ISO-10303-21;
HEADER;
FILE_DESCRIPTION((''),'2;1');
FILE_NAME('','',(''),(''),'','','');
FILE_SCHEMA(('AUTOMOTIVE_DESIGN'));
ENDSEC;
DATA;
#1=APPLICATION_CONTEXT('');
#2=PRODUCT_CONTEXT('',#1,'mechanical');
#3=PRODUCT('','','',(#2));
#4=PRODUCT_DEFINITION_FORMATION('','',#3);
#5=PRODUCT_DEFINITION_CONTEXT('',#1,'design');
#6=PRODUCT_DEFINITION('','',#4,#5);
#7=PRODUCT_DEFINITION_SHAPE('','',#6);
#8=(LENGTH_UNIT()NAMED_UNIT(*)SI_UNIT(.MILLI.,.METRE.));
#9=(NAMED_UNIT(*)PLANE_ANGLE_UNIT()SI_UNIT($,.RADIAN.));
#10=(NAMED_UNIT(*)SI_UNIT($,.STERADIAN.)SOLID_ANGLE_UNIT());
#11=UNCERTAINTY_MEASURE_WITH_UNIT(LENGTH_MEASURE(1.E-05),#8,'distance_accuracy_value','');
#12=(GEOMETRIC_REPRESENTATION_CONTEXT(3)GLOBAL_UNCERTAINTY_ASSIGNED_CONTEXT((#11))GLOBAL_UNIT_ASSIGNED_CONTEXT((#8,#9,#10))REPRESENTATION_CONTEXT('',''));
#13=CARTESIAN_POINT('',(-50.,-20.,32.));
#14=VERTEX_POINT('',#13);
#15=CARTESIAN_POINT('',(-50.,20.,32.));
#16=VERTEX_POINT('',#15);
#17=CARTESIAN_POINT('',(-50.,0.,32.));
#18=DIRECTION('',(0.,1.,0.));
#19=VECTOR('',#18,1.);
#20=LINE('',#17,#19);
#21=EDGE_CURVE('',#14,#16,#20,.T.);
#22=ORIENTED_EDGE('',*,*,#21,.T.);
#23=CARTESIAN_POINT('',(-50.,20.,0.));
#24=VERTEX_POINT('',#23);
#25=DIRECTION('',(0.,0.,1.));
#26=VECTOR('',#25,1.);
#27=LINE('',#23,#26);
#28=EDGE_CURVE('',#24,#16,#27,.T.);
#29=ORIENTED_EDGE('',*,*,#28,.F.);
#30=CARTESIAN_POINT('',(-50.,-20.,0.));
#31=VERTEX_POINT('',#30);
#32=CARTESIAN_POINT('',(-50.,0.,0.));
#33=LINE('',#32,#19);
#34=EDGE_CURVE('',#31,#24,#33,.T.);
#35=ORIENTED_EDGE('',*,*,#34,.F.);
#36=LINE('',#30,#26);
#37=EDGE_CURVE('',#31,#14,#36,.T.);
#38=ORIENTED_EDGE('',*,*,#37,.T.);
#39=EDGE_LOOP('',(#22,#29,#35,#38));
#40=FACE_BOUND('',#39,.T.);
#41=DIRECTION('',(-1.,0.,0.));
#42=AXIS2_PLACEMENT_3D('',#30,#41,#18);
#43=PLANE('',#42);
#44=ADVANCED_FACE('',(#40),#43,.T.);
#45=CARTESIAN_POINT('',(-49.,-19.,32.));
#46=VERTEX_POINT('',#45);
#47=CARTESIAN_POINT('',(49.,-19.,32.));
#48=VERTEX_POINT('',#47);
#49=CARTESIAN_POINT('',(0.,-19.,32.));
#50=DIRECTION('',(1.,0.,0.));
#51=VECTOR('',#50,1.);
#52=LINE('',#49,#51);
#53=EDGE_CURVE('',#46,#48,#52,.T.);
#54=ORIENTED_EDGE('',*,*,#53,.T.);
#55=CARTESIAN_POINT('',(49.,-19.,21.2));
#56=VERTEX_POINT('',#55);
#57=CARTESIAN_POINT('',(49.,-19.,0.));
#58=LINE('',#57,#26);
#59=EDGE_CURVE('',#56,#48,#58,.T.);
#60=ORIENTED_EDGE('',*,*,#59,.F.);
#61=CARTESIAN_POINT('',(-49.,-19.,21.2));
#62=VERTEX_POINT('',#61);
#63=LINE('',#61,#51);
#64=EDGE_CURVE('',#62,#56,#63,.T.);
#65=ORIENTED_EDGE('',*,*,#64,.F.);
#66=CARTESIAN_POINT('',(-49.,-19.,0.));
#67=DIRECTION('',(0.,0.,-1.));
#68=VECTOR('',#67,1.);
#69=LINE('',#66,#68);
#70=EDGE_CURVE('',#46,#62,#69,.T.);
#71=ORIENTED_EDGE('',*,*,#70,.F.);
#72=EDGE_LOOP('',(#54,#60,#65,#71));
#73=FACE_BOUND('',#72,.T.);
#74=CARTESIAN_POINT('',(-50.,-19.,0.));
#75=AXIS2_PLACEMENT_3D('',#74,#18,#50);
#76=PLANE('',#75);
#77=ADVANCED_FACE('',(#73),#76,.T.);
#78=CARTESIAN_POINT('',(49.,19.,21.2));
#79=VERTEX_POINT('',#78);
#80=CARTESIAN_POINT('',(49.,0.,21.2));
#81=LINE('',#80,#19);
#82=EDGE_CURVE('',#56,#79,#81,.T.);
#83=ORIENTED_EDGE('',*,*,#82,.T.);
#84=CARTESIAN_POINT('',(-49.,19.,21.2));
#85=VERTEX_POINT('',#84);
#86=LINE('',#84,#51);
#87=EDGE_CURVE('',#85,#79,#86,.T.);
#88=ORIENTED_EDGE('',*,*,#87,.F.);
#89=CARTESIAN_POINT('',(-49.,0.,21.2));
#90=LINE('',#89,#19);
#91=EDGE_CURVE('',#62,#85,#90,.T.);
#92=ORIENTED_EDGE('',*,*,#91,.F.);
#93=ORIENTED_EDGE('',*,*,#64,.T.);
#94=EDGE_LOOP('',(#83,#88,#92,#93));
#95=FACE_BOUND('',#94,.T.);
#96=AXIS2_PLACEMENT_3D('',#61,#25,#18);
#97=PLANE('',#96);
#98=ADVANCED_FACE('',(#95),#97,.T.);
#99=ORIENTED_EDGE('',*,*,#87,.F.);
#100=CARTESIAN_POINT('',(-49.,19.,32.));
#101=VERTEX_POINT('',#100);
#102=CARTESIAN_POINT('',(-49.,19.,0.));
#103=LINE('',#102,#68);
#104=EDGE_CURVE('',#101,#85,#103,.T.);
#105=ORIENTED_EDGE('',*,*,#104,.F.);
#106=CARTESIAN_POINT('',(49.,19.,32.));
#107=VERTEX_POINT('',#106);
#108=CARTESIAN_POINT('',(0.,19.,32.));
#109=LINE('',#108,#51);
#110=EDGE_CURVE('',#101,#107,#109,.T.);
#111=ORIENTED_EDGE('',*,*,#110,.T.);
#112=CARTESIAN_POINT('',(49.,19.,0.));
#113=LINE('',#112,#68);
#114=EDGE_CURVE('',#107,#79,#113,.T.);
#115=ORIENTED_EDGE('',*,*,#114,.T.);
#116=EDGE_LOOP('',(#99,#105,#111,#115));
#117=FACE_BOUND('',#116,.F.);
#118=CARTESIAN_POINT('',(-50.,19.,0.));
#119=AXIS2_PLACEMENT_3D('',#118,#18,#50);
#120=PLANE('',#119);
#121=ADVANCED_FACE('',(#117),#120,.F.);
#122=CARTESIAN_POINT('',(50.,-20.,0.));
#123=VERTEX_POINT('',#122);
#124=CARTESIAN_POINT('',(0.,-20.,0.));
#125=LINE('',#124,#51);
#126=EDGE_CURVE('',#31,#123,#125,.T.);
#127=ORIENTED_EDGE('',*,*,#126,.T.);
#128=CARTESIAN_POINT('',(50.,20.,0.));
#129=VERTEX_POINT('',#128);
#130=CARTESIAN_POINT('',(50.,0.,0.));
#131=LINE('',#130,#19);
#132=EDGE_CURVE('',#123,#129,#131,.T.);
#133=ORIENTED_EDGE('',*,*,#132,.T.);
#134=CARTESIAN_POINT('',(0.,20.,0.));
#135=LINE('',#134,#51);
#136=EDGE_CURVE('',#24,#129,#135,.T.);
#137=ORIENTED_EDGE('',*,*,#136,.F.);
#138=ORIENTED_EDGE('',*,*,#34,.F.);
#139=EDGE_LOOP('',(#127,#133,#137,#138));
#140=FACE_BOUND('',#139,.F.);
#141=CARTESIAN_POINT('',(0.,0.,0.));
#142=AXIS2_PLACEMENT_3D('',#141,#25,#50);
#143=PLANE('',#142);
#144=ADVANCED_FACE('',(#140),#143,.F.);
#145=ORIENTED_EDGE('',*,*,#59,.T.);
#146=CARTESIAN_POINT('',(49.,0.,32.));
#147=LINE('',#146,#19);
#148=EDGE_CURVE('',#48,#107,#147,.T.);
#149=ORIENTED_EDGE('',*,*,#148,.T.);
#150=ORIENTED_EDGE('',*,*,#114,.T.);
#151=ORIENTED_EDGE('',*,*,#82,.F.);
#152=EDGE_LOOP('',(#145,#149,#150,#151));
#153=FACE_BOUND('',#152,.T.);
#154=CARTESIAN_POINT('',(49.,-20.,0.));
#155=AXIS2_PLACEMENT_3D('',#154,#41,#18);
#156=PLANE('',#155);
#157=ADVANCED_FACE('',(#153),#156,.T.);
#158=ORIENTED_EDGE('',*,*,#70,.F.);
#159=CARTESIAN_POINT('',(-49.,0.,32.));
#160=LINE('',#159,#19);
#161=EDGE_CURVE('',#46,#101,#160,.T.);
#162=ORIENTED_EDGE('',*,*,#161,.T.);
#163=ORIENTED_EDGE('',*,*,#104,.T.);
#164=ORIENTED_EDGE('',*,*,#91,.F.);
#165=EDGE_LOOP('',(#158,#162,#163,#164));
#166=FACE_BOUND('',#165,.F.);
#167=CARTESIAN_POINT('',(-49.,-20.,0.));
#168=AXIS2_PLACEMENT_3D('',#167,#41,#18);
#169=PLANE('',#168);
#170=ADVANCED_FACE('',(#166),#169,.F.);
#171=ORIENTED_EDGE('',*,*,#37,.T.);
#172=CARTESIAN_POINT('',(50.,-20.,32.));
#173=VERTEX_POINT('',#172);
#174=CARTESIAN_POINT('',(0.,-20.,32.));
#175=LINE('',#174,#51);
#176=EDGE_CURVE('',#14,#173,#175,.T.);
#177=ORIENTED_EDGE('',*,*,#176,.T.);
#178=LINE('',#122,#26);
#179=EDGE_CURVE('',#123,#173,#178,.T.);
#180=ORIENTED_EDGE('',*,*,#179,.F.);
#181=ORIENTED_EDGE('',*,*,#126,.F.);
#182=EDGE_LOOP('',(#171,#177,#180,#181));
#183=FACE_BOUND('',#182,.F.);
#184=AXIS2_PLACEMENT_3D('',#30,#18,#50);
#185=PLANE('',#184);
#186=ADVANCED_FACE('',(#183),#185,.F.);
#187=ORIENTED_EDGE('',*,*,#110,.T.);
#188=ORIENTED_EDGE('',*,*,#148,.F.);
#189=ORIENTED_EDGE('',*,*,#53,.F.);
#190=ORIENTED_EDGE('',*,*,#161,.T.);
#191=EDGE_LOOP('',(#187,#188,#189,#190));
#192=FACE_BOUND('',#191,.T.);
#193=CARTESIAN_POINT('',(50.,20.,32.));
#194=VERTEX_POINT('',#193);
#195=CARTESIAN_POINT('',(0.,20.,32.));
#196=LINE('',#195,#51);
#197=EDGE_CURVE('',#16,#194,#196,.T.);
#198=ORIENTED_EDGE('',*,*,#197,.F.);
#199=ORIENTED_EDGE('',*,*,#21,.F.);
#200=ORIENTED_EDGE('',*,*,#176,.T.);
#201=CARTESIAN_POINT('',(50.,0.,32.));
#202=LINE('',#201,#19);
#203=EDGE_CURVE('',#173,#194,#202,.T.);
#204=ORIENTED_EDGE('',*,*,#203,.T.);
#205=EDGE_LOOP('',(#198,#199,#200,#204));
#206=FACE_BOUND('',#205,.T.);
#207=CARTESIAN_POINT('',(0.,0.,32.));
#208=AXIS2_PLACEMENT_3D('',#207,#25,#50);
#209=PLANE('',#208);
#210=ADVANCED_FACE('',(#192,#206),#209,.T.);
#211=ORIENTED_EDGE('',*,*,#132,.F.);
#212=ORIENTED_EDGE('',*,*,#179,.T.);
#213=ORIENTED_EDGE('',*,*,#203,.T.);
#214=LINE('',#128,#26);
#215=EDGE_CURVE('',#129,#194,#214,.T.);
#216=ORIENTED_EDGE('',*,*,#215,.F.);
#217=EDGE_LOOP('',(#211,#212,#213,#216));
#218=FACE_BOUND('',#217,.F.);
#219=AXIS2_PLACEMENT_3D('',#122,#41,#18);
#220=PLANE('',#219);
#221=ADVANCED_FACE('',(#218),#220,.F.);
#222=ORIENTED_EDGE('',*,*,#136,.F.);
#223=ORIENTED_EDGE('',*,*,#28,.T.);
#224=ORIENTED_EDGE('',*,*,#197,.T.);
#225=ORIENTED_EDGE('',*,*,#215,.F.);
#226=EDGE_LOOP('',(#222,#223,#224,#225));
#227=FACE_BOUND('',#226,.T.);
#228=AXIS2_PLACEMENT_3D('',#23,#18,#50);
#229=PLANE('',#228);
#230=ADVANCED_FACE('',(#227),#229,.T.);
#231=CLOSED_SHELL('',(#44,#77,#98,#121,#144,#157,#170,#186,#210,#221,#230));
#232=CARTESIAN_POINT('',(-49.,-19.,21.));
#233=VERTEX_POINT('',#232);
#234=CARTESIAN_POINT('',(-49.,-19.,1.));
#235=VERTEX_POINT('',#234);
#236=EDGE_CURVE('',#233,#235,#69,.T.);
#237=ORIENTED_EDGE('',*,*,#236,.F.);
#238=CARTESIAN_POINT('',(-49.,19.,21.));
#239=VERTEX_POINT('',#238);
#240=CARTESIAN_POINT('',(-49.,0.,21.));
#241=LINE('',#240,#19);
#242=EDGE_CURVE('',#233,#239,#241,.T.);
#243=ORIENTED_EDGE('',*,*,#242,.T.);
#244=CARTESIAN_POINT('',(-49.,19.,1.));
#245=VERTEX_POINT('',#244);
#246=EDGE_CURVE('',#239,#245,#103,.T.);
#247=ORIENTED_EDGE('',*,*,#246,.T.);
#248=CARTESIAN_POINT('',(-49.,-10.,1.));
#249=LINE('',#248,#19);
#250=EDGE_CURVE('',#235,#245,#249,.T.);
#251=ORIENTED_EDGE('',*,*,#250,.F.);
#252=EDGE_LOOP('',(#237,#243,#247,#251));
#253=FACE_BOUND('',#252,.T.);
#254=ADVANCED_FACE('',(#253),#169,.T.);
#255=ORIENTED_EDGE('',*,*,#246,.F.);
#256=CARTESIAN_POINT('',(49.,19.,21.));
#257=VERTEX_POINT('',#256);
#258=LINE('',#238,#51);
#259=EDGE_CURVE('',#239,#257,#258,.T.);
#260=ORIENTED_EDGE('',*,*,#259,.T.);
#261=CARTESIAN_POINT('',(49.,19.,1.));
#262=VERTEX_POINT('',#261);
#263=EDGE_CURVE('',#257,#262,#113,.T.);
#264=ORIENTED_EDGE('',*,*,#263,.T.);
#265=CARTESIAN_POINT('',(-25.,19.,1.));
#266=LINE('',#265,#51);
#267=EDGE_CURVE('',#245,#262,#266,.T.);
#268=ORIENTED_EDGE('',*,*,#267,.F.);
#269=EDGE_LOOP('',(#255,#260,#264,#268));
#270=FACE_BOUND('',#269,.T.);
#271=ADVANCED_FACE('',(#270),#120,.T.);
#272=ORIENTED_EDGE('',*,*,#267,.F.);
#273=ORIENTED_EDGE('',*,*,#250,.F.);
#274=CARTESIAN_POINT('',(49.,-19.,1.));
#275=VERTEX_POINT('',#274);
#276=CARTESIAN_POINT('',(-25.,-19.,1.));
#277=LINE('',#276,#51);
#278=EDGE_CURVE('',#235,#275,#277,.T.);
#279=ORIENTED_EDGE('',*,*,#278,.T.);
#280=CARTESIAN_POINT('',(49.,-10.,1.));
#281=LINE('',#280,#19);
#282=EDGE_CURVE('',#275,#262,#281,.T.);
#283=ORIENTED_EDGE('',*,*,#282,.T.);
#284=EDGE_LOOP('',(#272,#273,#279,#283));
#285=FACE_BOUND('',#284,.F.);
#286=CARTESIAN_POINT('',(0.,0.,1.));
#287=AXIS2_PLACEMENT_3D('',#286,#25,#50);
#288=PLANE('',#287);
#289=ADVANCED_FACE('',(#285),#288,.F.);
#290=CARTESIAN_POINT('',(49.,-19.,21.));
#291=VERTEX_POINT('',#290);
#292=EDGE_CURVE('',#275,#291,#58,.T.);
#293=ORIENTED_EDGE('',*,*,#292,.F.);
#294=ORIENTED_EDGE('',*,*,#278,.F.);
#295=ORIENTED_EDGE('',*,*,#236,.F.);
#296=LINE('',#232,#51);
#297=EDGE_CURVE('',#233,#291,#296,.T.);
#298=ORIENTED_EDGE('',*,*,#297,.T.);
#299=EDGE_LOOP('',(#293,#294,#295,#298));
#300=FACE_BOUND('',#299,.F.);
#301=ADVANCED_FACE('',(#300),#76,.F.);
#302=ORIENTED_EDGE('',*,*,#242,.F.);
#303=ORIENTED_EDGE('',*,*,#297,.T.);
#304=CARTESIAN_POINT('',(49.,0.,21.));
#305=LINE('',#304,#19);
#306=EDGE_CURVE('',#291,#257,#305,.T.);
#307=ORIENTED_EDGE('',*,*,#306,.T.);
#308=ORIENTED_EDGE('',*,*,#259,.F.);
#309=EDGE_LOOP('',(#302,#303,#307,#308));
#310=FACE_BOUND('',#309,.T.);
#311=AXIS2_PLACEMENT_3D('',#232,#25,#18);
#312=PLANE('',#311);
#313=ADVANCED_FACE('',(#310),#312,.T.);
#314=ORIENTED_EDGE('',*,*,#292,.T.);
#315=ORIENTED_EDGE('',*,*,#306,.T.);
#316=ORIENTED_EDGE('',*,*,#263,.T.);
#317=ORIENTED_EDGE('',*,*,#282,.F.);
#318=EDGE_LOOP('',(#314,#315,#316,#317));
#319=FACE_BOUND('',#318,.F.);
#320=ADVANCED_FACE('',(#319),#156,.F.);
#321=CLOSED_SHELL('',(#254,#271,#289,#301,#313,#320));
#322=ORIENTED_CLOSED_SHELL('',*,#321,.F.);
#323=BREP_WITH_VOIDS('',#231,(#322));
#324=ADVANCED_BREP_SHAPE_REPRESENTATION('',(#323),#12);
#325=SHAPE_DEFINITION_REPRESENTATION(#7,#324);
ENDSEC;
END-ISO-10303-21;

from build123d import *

# Parameters (mm, degrees)
F0_W     = 100
F0_H     = 40
F1_DEPTH = 32
F2_T     = -1
F3_W     = 38
F3_H     = 0.2
F4_DEPTH = 98


with BuildPart() as f1:
    # F0 (on Top) → F1 (new body)
    with BuildSketch(Plane.XY):
        Rectangle(F0_W, F0_H)
    extrude(amount=F1_DEPTH)

    # F2
    f2_openings = [f1.faces().sort_by_distance(p)[0] for p in [
        (0, 0, 32),
    ]]
    offset(amount=F2_T, openings=f2_openings)

    # F3 (on face) → F4 (join, through all)
    with BuildSketch(Plane.YZ.offset(-49)):
        with Locations((0, 21.1)):
            Rectangle(F3_W, F3_H)
    extrude(amount=F4_DEPTH)


solid = f1.part
